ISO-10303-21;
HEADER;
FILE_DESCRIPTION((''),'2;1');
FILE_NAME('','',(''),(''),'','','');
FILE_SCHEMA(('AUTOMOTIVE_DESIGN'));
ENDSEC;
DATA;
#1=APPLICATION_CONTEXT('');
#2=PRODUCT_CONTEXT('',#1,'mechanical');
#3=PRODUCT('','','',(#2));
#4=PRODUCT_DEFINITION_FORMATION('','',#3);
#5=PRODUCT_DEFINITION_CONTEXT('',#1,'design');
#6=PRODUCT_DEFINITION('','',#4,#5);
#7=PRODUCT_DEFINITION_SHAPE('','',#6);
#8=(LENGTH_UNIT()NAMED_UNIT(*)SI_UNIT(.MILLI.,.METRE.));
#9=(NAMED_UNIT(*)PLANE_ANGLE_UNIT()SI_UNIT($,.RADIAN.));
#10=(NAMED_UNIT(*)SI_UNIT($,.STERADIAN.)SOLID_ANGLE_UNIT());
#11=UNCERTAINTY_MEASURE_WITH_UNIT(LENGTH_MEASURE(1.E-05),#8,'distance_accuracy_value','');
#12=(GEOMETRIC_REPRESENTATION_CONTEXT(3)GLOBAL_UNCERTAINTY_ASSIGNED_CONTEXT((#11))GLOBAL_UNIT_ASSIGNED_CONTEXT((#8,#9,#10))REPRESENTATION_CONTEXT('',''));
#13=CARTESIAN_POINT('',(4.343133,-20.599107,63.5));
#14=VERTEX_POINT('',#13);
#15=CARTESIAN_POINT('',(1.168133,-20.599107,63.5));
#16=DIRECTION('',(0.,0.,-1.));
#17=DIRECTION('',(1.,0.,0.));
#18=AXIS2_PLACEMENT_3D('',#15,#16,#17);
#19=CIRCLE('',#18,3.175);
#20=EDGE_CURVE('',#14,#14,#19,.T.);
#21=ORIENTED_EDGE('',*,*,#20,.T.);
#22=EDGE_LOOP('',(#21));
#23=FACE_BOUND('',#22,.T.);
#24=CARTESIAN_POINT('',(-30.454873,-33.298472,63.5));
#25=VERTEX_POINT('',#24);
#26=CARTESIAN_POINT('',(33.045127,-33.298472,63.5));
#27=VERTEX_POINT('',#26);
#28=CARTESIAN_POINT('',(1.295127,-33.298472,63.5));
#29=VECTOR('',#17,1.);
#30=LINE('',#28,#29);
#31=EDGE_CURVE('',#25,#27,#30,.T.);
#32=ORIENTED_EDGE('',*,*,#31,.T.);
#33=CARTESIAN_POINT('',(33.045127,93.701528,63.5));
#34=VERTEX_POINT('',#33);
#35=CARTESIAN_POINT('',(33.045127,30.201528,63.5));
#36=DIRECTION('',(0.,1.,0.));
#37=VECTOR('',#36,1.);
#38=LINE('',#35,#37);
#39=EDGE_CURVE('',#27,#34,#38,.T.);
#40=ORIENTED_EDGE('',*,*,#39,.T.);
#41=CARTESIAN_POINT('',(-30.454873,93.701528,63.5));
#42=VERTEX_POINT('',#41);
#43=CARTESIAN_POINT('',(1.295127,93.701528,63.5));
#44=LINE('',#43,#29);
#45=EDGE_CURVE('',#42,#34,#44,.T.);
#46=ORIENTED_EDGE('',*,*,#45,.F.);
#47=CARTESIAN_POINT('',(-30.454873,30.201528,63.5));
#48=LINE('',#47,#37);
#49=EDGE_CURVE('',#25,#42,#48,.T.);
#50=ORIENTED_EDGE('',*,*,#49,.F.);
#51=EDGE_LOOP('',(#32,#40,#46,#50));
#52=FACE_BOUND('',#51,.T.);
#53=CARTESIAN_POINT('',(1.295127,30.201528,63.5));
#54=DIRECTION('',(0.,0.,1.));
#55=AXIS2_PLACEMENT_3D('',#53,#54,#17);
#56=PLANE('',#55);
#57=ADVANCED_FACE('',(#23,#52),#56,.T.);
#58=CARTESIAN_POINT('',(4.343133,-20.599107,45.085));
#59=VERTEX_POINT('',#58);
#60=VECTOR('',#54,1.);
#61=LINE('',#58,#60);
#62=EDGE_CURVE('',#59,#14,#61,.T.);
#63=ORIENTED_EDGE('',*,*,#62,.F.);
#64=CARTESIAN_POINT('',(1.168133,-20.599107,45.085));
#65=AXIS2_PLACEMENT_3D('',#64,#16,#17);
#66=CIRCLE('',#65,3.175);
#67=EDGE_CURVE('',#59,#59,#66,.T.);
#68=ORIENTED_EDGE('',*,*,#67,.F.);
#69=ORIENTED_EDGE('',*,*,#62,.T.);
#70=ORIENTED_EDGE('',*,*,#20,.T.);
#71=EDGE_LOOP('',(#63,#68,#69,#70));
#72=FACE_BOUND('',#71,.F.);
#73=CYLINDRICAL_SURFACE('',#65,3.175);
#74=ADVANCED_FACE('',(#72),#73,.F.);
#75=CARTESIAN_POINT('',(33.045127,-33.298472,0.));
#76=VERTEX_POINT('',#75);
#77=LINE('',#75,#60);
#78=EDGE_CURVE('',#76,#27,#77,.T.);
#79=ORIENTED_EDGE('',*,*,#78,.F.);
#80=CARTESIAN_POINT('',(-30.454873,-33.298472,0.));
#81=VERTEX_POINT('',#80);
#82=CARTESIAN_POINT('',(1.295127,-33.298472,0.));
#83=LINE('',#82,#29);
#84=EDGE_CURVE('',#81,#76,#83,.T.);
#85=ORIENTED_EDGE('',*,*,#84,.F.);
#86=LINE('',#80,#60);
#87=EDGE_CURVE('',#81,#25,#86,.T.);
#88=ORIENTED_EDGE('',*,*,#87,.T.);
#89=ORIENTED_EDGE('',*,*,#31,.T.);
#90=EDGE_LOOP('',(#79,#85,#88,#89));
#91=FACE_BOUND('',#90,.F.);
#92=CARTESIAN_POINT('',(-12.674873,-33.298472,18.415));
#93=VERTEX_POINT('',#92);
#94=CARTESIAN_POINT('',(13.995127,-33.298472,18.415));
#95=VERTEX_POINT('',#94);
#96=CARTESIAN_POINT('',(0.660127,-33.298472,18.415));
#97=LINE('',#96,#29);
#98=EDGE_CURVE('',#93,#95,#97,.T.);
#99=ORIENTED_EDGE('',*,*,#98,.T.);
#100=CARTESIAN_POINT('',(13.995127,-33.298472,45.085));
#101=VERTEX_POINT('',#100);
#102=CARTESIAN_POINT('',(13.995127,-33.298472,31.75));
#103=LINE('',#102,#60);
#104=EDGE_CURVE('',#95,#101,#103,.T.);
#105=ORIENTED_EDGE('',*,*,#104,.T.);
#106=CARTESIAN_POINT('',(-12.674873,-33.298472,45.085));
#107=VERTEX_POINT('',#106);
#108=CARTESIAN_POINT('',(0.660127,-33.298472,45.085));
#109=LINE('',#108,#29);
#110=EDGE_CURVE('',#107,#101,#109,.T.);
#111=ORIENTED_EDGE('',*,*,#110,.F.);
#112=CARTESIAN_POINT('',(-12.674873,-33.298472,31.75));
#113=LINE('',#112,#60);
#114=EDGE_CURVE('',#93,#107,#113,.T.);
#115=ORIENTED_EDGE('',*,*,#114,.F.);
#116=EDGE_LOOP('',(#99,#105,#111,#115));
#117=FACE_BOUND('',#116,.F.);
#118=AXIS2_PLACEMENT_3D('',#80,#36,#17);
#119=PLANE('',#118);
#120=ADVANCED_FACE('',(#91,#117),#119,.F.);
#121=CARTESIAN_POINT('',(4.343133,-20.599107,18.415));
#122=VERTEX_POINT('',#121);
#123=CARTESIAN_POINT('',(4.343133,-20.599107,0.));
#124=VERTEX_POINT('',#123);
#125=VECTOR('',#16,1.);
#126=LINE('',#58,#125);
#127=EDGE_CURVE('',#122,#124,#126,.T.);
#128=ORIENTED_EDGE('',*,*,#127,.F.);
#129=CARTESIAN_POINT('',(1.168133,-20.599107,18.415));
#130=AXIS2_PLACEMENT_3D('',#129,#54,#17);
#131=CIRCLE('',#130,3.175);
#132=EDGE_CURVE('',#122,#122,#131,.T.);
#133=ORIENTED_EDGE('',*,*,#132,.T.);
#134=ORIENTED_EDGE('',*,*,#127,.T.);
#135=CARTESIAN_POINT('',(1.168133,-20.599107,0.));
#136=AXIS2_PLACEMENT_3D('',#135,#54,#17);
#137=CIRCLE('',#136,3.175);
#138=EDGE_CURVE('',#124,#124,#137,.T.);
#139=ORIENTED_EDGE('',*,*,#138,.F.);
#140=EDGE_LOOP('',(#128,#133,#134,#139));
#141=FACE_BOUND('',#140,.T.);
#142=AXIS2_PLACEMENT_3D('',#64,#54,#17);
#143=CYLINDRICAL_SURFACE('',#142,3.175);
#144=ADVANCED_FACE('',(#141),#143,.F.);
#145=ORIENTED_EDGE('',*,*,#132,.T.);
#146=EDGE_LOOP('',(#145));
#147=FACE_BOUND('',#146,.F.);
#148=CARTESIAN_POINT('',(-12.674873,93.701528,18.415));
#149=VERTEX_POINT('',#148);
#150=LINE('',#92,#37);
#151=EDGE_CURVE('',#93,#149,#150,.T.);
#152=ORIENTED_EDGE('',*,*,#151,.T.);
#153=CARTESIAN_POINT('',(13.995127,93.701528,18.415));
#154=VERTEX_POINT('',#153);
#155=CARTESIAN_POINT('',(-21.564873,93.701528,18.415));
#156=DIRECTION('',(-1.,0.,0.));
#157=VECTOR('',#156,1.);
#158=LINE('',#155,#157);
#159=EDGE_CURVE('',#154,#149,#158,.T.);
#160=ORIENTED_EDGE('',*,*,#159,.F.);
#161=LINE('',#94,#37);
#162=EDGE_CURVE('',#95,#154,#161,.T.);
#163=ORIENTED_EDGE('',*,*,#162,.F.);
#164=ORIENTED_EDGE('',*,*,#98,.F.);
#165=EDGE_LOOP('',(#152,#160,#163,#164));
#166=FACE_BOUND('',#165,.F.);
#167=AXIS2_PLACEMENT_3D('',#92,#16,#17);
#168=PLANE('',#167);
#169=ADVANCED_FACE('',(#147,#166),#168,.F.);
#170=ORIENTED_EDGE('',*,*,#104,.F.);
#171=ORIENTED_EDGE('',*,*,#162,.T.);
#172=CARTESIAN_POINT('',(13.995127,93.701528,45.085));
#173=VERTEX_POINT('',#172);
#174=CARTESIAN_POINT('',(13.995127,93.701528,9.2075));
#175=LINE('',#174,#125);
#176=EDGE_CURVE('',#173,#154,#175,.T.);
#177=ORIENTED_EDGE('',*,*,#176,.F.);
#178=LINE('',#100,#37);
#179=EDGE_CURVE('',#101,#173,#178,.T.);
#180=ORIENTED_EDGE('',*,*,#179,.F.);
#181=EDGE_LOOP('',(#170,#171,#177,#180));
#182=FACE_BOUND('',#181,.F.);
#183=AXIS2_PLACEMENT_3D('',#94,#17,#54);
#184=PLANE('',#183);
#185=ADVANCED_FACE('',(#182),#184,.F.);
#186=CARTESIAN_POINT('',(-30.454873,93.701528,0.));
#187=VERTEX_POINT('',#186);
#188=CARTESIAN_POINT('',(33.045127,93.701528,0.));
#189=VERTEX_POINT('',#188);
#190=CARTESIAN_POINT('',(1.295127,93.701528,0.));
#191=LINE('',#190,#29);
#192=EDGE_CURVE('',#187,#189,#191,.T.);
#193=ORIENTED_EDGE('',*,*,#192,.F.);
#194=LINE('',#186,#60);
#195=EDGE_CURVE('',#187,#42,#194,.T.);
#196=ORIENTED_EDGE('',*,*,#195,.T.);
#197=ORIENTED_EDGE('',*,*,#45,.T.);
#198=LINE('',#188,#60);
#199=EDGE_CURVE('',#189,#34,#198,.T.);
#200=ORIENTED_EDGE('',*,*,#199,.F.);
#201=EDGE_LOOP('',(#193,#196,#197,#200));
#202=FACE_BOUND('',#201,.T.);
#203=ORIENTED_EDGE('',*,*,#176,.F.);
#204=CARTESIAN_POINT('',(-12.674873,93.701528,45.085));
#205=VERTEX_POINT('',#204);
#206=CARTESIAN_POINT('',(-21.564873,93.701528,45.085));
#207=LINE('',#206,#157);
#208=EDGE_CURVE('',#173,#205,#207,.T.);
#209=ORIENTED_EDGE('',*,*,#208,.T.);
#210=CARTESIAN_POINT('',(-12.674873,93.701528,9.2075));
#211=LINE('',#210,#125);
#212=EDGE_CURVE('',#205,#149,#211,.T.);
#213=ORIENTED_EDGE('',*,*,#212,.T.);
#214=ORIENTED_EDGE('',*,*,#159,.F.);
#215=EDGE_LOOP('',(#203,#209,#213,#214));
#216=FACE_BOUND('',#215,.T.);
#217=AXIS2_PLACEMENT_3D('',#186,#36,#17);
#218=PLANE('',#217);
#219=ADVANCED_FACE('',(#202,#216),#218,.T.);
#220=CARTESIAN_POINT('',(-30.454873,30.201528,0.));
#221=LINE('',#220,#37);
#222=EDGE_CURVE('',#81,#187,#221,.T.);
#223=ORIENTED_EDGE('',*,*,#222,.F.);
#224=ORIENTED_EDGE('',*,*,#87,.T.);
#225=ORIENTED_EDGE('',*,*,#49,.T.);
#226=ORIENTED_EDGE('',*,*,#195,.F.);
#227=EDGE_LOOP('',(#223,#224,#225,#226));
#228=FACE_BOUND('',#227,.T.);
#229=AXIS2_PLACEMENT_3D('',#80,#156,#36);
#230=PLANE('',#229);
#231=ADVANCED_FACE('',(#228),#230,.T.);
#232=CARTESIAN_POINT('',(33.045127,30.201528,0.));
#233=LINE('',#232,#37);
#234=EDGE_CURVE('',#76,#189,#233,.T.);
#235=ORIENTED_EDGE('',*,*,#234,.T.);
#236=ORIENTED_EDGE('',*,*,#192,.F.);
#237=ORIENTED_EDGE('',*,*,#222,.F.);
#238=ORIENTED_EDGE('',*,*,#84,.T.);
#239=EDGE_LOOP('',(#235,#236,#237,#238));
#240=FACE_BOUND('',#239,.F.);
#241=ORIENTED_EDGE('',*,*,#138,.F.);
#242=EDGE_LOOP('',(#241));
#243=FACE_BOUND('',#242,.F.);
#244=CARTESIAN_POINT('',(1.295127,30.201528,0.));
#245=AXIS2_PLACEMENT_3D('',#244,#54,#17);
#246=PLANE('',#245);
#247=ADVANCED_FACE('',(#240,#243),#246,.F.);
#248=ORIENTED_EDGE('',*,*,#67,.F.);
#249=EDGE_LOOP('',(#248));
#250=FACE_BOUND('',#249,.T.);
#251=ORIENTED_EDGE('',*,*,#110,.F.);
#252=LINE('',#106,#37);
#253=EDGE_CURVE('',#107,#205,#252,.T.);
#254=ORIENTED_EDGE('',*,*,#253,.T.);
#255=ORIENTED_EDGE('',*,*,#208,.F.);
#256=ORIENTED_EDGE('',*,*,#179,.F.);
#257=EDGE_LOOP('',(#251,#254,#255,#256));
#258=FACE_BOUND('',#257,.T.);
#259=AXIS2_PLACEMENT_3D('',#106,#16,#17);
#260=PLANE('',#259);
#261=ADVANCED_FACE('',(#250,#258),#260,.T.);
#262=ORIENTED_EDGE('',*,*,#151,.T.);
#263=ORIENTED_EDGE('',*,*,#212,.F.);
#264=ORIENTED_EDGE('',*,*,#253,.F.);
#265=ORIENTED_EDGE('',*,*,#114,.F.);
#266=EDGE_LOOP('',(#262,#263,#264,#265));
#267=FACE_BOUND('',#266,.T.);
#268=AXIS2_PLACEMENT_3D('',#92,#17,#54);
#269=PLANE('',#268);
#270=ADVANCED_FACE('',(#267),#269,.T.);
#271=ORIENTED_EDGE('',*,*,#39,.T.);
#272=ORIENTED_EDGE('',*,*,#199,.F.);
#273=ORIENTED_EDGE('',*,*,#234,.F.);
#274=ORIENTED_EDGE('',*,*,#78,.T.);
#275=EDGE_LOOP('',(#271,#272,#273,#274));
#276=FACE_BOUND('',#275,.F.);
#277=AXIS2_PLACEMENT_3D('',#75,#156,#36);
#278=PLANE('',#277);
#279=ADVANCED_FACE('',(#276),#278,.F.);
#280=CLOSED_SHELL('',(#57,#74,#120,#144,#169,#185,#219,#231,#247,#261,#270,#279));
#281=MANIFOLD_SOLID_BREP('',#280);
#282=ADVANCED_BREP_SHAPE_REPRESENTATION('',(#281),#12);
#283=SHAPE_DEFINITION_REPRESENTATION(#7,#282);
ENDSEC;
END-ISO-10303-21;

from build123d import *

# Parameters (mm, degrees)
F0_W          = 63.5
F0_H          = 127
F1_DEPTH      = 63.5
F2_W          = 26.67
F2_H          = 26.67
F3_DEPTH      = 127.001
F4_R          = 3.175
F5_DEPTH      = 45.086
F5_DEPTH_BACK = 25.4


with BuildPart() as f1:
    # F0 (on Top) → F1 (new body)
    with BuildSketch(Plane.XY):
        with Locations((1.295127, 30.201528)):
            Rectangle(F0_W, F0_H)
    extrude(amount=F1_DEPTH)

    # F2 (on face) → F3 (cut, through all)
    with BuildSketch(Plane.XZ.offset(33.298472)):
        with Locations((0.660127, 31.75)):
            Rectangle(F2_W, F2_H)
    extrude(amount=-F3_DEPTH, mode=Mode.SUBTRACT)

    # F4 (on face) → F5 (cut, two sides)
    with BuildSketch(Plane(origin=(0, 0, 45.085), x_dir=(1, 0, 0), z_dir=(0, 0, -1))) as f5_sk:
        with Locations((1.168133, 20.599107)):
            Circle(F4_R)
    extrude(amount=F5_DEPTH, mode=Mode.SUBTRACT)
    extrude(f5_sk.sketch, amount=-F5_DEPTH_BACK, mode=Mode.SUBTRACT)


solid = f1.part
